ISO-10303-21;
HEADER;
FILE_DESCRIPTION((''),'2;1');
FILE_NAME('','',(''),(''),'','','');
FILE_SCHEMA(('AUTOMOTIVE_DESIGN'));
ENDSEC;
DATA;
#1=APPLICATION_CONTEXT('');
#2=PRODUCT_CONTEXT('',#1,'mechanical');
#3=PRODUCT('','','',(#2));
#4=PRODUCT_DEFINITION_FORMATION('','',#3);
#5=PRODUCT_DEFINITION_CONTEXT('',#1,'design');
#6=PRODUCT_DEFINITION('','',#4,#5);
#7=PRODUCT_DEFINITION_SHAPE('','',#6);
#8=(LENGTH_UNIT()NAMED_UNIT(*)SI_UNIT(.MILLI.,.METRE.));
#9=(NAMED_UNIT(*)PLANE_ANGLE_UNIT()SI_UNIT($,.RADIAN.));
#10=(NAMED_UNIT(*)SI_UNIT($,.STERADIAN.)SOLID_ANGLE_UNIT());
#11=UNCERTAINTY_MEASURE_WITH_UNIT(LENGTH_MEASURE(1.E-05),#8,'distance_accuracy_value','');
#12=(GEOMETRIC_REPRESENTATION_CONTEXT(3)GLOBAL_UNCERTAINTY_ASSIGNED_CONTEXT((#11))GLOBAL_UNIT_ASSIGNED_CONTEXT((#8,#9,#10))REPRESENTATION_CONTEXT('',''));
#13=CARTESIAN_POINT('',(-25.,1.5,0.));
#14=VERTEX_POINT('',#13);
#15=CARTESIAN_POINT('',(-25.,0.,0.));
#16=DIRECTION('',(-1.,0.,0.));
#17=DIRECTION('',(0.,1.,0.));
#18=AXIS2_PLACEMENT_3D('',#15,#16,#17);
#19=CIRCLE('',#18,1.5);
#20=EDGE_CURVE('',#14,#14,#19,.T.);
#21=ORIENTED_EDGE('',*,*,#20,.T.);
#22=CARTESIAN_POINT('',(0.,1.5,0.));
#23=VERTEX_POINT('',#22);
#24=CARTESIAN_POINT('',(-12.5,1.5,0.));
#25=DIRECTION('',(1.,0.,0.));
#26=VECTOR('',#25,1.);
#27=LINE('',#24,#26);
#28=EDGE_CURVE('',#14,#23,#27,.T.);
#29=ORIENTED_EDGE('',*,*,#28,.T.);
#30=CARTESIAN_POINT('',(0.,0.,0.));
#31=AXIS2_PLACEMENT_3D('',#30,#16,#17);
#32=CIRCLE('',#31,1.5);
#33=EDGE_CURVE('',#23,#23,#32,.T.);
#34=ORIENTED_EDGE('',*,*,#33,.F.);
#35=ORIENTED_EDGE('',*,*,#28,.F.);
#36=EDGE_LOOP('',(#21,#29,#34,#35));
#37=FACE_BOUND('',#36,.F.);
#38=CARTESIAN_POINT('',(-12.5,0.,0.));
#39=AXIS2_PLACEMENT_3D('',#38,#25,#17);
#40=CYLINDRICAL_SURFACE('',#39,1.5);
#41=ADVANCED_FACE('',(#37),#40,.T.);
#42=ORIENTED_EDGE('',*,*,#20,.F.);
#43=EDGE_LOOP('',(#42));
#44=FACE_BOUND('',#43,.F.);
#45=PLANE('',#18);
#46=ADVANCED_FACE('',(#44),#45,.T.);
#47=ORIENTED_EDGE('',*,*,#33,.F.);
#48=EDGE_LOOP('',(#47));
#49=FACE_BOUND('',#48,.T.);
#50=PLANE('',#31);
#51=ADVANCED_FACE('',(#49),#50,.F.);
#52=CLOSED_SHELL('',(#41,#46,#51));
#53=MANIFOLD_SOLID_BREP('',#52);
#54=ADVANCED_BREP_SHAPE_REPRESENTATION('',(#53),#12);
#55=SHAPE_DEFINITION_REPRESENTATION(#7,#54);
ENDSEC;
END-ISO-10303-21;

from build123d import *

# Parameters (mm, degrees)
SCHIZZO1_W = 25
SCHIZZO1_H = 1.5


with BuildPart() as part:
    # Schizzo1 → Rivoluzione1 (revolve)
    with BuildSketch(Plane.XY):
        with Locations((-12.5, 0.75)):
            Rectangle(SCHIZZO1_W, SCHIZZO1_H)
    revolve(axis=Axis((28.097332695, 0, 0), (-1, 0, 0)))


solid = part.part
